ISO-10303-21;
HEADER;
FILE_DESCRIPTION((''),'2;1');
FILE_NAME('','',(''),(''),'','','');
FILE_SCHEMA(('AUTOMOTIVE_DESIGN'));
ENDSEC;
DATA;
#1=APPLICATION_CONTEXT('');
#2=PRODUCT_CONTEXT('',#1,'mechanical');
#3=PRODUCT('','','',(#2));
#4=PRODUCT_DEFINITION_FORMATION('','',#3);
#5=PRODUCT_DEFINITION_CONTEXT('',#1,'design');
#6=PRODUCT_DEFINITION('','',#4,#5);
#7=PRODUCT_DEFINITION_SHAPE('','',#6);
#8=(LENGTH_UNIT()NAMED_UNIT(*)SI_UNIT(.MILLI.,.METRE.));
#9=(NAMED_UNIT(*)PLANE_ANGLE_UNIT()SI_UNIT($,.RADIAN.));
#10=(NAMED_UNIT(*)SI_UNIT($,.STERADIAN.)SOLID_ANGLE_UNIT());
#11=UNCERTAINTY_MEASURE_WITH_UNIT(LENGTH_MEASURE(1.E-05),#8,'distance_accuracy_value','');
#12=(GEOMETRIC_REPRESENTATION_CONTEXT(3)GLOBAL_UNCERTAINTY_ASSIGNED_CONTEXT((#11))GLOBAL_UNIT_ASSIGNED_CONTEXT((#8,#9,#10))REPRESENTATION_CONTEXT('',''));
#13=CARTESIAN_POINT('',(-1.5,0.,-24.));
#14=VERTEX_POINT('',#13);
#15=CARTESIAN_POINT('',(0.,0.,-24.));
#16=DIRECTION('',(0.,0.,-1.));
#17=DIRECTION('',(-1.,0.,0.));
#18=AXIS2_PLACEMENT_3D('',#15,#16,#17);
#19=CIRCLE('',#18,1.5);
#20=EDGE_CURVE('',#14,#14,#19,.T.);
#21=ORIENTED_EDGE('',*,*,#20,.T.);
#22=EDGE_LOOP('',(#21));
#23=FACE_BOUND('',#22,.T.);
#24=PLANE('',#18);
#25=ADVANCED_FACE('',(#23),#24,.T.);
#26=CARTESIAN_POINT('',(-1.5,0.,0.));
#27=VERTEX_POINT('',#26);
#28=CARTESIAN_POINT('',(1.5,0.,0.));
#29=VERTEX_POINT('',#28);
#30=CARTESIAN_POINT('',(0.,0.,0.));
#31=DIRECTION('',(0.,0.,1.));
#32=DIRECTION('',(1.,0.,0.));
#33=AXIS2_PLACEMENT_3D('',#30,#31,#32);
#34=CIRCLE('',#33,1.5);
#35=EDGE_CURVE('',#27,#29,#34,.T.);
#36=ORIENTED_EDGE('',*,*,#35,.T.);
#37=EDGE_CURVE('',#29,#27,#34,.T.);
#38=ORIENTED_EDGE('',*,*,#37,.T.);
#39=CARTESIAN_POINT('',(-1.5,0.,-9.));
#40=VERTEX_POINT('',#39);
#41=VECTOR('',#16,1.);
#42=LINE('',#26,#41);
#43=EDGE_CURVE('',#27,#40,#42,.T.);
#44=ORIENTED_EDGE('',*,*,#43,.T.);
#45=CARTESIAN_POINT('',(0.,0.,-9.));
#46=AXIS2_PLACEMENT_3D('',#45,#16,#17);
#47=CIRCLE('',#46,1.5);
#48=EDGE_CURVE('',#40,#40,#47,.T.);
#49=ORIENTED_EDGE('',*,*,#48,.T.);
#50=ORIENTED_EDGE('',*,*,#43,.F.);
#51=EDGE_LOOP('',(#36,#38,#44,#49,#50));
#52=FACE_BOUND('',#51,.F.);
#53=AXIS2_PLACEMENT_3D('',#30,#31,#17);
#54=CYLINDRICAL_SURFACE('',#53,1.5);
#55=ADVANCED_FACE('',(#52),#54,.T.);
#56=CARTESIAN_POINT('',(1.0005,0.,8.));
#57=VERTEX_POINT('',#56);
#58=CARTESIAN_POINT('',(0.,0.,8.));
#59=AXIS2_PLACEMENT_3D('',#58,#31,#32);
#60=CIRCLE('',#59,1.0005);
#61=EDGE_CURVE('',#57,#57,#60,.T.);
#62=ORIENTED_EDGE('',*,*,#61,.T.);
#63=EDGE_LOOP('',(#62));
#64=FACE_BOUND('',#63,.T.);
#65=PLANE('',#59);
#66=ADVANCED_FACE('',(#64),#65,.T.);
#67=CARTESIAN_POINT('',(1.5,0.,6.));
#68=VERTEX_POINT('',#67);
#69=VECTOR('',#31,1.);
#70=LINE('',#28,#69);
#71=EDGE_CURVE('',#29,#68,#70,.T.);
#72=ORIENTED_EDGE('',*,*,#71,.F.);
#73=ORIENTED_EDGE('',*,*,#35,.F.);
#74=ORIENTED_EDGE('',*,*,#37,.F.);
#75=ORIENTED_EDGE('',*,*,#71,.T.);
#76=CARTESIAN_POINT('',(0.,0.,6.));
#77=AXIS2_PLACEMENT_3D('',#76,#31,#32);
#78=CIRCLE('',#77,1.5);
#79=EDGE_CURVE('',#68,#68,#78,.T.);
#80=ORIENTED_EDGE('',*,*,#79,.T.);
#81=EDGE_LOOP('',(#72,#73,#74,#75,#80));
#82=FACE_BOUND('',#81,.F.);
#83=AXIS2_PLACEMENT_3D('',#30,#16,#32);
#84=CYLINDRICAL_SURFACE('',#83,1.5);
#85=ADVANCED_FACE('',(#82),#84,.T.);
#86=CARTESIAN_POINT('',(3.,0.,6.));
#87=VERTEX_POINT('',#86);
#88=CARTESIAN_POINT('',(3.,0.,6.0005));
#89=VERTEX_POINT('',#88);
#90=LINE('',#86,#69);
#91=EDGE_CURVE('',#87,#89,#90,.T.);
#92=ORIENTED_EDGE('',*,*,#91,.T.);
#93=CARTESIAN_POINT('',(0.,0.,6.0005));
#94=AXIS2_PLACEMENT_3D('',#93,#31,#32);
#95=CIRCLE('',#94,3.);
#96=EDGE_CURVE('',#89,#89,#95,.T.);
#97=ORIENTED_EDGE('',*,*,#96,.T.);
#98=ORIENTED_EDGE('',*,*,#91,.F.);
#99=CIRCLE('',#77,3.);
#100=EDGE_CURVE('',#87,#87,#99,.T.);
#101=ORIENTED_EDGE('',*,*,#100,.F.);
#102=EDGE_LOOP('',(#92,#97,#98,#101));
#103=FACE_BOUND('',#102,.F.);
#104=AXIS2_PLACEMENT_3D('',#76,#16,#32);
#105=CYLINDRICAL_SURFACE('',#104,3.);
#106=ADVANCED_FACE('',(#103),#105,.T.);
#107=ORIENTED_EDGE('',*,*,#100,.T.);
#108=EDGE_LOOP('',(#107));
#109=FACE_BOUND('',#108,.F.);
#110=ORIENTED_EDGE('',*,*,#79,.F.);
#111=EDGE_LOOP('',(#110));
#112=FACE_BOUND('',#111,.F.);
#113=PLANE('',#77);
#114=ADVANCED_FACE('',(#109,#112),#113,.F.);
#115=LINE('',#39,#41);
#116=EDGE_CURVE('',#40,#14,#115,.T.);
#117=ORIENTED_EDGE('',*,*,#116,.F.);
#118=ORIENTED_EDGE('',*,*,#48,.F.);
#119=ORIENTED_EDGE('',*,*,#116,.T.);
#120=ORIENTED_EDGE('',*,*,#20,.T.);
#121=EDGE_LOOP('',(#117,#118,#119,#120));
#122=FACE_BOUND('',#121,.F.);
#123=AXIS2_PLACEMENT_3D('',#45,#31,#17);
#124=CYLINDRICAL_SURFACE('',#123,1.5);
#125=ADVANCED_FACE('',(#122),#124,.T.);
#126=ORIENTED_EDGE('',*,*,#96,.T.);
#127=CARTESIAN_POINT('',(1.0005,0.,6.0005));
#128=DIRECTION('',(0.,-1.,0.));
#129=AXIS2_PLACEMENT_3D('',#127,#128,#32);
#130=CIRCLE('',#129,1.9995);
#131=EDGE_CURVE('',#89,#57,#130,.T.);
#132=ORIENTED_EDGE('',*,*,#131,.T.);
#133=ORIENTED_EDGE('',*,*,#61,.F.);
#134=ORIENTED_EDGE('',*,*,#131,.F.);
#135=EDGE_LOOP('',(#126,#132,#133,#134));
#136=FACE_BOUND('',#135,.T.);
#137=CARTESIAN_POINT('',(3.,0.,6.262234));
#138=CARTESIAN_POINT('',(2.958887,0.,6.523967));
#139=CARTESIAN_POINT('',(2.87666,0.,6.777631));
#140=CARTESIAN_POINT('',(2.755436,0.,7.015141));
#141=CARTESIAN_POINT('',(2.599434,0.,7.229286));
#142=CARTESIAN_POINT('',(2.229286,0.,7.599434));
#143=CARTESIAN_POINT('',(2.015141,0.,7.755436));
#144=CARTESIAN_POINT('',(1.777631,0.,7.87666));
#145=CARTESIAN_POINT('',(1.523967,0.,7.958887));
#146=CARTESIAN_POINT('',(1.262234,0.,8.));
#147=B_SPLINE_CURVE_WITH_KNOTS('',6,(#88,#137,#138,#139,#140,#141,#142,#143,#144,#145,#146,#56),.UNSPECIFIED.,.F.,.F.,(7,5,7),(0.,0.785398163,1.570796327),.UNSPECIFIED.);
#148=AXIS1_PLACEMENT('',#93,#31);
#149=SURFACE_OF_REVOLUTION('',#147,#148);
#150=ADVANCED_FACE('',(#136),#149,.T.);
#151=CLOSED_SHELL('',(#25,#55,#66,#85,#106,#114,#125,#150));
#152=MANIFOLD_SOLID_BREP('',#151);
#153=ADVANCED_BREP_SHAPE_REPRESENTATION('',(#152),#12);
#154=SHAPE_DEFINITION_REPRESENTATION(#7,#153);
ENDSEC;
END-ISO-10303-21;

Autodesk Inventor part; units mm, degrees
ref_plane "YZ Plane" through (0, 0, 0) normal (1, 0, 0) x (0, 1, 0)
ref_plane "XZ Plane" through (0, 0, 0) normal (0, 1, 0) x (-1, 0, 0)
ref_plane "XY Plane" through (0, 0, 0) normal (0, 0, 1) x (1, 0, 0)
sketch "スケッチ1" plane through (0, 0, 0) normal (0, 0, 1) x (1, 0, 0)
  circle A0 centre (0, 0) radius 1.5
  dimension "d0" = 3
extrude "押し出し1" add sketch "スケッチ1" along normal blind 6
sketch "スケッチ2" plane through (0, 0, 6) normal (0, 0, 1) x (1, 0, 0)
  circle A0 centre (0, 0) radius 1.5 projected
  circle A1 centre (0, 0) radius 3
  dimension "d3" = 6
extrude "押し出し2" add sketch "スケッチ2" along normal blind 2 contours A0 | A1
fillet "フィレット1" radius 2 1 edges at (-3, 0, 8)
thread "ねじ1" size "M3x0.5" class "6g" standard "ANSI Metric M Profile" full length
sketch "スケッチ3" plane through (0, 0, 0) normal (0, 0, -1) x (-1, 0, 0)
  circle A0 centre (0, 0) radius 1.5 projected
extrude "押し出し3" add sketch "スケッチ3" along normal blind 9
sketch "スケッチ4" plane through (0, 0, -9) normal (0, 0, -1) x (-1, 0, 0)
  circle A0 centre (0, 0) radius 1.5 projected
extrude "押し出し4" add sketch "スケッチ4" along normal blind 15
properties part number "SB　30mmなべネジ" material "Steel, Mild"
